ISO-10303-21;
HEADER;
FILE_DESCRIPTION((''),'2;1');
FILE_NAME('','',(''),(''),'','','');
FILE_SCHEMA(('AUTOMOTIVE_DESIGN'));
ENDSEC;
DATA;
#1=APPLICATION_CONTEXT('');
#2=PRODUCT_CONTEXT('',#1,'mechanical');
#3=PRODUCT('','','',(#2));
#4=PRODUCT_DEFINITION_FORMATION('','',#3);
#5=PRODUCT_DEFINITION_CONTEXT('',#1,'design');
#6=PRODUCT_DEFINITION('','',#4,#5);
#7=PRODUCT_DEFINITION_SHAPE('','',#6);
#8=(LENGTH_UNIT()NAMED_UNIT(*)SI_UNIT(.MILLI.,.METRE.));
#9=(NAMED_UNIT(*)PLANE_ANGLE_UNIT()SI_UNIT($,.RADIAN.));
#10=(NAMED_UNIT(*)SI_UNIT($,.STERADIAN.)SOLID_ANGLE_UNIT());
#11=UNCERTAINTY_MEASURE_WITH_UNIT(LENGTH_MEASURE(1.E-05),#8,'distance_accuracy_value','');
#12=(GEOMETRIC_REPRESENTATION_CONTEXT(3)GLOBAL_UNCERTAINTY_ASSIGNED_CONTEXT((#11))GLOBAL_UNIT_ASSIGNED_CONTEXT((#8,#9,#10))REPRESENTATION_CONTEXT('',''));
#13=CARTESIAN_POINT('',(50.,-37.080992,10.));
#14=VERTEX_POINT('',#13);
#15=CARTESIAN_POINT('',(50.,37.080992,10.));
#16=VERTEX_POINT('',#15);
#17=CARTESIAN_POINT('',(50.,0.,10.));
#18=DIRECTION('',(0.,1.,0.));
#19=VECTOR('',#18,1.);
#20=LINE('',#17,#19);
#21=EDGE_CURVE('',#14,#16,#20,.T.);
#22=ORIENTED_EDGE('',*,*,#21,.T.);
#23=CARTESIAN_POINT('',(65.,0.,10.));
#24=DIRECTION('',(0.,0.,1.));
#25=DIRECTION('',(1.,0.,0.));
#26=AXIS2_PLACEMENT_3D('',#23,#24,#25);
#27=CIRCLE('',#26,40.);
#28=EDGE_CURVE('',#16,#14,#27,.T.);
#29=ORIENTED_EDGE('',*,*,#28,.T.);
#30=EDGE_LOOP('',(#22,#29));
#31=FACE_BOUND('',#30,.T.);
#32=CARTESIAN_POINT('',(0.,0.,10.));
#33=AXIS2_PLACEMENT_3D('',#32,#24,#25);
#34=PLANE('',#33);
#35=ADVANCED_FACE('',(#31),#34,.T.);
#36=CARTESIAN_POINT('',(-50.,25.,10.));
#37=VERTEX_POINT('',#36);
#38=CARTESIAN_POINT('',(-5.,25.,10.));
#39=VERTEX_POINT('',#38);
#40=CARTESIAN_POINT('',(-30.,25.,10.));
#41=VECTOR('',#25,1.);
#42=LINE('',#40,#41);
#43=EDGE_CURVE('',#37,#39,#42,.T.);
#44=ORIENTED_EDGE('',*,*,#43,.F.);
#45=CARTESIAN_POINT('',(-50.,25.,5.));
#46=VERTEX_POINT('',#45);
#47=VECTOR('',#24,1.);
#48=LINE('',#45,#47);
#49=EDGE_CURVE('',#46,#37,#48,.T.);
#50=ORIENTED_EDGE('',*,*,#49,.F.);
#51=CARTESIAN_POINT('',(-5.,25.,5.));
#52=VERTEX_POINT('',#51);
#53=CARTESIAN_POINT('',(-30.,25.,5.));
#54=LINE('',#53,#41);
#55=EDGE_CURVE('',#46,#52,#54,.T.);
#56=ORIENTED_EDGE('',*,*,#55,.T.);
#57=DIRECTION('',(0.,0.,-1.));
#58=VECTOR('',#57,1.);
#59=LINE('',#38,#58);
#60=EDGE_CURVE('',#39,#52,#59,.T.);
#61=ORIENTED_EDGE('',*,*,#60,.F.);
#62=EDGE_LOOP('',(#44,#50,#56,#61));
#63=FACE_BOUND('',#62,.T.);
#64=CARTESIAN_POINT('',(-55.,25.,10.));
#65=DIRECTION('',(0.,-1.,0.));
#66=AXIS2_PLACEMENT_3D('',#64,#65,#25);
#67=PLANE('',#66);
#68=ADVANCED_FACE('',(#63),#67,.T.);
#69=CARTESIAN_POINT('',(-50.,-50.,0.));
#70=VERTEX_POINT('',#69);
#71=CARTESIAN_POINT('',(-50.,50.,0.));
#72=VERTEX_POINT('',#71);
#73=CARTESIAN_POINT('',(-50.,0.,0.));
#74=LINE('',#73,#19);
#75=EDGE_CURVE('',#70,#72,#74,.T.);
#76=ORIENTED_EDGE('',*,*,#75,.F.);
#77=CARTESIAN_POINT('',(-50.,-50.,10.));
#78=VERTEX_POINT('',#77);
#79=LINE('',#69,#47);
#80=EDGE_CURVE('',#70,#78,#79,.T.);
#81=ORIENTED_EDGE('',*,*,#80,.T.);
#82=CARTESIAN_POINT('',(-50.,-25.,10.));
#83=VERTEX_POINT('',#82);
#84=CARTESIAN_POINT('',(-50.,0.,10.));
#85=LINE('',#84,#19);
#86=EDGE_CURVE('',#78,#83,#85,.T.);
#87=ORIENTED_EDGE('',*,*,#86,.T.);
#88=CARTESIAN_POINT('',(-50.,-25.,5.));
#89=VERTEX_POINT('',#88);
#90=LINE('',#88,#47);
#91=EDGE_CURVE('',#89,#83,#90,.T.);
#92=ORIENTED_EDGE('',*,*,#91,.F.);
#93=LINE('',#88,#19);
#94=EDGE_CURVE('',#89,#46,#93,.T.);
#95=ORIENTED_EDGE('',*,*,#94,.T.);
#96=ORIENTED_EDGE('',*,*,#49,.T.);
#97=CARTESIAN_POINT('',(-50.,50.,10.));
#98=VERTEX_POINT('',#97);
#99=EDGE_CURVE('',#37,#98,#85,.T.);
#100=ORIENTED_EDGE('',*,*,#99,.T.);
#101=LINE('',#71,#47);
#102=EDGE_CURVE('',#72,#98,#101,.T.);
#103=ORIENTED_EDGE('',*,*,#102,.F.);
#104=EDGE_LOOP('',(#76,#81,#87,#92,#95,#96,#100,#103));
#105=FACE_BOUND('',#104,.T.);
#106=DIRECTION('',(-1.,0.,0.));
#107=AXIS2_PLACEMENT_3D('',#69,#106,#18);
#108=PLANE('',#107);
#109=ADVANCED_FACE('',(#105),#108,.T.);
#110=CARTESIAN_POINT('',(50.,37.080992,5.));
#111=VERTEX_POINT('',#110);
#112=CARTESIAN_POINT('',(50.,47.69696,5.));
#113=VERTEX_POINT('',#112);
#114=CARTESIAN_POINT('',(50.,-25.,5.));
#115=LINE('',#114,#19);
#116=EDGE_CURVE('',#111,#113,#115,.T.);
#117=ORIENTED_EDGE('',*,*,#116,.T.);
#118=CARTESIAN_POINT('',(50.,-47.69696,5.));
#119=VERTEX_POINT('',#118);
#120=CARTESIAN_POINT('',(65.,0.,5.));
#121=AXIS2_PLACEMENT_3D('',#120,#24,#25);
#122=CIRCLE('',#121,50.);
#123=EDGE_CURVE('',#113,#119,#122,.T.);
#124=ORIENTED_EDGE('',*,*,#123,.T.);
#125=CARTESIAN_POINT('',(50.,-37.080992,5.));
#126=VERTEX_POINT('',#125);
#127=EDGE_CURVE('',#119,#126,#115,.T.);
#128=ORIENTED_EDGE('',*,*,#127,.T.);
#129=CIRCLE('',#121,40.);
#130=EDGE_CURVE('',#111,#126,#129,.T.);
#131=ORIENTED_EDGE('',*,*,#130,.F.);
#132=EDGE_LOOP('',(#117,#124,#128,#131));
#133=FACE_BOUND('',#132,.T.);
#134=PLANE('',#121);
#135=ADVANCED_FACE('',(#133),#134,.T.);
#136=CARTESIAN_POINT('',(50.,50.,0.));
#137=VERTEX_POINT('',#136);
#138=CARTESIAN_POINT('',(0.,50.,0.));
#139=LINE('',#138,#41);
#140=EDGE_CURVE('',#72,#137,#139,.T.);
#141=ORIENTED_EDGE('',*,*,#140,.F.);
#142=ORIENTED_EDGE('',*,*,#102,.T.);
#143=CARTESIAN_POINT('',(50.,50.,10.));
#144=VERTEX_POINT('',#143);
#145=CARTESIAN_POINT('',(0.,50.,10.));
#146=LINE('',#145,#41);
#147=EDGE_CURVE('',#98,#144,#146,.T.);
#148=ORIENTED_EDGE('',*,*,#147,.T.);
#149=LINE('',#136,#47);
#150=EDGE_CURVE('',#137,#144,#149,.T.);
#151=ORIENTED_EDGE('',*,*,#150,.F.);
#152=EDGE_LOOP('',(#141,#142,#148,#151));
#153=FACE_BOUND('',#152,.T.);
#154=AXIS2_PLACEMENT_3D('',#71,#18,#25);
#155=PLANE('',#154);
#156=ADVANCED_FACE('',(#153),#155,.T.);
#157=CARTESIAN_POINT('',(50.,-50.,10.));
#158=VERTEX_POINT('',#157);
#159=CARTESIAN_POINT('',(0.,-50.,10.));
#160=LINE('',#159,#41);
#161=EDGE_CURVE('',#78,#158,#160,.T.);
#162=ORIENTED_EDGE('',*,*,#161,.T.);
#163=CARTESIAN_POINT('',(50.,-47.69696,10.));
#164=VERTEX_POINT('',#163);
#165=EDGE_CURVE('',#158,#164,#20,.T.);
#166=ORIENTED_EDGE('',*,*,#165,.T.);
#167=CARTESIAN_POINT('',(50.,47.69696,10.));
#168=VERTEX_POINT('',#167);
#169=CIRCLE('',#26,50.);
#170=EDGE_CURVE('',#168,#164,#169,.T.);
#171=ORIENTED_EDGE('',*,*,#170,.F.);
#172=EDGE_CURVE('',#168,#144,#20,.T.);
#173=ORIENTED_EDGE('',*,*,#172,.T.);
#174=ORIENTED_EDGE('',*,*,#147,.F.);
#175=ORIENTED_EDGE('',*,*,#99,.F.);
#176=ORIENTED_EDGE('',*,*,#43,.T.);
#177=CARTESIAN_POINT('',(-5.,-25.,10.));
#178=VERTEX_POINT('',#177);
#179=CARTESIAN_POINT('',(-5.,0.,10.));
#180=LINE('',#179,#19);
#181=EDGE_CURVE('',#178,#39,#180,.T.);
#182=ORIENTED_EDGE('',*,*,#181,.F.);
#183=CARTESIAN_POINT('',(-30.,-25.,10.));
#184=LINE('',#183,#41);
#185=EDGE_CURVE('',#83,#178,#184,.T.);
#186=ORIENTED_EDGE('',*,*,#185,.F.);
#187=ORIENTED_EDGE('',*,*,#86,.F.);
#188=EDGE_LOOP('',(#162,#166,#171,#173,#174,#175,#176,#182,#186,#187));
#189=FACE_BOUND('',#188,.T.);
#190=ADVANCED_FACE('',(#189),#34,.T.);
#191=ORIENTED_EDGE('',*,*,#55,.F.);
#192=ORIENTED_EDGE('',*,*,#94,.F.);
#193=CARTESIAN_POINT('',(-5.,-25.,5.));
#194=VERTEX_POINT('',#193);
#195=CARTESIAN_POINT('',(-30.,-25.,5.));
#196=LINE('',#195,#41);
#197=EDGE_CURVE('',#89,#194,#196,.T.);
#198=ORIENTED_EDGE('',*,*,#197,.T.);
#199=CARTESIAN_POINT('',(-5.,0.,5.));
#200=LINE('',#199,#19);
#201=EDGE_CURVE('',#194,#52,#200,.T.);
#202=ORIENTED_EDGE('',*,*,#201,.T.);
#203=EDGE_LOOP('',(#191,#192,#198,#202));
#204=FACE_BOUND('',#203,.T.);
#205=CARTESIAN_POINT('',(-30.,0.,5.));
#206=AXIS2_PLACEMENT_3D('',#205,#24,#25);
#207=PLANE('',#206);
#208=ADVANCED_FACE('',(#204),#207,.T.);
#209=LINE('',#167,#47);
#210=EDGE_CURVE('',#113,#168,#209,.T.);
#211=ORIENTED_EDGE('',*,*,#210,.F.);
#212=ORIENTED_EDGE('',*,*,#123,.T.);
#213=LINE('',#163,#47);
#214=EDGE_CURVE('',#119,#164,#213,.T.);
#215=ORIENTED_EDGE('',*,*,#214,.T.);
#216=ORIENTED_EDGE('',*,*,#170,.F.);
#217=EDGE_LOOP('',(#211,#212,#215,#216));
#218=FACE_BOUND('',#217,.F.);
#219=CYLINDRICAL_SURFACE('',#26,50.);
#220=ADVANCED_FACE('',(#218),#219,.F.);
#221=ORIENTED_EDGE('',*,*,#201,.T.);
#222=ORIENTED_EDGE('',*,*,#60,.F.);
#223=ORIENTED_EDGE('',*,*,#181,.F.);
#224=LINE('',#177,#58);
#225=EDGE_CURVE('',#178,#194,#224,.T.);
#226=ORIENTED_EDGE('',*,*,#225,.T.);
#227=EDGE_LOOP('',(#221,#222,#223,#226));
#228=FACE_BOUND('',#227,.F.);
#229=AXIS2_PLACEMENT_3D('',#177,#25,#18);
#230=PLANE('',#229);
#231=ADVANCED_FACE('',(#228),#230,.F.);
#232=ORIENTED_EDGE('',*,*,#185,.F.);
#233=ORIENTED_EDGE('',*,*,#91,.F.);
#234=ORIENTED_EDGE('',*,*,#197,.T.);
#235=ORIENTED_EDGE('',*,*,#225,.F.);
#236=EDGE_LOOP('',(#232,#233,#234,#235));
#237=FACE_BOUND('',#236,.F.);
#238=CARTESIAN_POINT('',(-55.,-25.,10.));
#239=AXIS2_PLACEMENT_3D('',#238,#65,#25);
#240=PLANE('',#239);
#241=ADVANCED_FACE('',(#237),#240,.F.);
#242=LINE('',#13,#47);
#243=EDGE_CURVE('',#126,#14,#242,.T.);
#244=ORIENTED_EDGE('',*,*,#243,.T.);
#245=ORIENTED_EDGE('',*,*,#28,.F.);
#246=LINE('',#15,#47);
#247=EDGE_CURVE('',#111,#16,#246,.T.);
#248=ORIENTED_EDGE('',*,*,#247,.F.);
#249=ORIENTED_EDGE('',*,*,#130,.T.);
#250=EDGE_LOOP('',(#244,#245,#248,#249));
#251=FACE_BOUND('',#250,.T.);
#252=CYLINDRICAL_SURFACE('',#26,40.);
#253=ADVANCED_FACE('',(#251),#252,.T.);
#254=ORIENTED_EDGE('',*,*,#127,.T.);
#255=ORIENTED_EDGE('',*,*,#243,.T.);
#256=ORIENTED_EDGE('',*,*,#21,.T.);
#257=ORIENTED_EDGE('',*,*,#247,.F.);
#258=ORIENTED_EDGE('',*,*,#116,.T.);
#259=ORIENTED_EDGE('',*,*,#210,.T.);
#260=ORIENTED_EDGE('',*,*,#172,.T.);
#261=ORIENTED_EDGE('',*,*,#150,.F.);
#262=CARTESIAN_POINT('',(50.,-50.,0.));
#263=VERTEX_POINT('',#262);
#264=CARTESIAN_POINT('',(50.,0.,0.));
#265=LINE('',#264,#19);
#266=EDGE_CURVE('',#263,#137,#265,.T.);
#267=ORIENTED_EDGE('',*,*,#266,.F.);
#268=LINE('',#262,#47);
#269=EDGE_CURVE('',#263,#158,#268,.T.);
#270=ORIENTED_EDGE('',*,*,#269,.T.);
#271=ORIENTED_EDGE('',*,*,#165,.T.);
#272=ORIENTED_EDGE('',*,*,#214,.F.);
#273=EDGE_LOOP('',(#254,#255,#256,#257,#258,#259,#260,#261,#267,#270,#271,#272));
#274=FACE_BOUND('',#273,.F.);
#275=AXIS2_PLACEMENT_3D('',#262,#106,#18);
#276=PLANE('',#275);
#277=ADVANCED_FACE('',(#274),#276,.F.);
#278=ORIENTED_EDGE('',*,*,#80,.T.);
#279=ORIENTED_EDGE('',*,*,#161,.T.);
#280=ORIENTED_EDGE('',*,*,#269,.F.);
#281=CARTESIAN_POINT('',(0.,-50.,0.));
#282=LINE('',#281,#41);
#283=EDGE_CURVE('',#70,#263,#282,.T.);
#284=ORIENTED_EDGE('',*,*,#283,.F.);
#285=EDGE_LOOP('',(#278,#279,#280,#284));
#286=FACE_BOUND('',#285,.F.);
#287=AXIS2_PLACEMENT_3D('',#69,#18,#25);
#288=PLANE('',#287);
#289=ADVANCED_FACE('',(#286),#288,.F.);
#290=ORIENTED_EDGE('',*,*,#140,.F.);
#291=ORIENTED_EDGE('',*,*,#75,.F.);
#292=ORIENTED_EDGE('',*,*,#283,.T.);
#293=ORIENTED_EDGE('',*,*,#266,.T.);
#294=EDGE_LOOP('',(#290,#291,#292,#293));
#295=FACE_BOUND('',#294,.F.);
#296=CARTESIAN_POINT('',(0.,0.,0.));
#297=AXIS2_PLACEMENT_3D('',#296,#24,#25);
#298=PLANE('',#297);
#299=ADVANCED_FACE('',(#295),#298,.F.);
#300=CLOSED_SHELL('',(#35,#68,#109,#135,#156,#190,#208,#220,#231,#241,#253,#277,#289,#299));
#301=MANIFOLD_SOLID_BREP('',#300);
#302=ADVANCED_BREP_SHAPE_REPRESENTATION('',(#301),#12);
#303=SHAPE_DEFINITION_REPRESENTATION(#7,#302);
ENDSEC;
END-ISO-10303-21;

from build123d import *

# Parameters (mm, degrees)
SKETCH_W      = 100
SKETCH_H      = 100
PAD_DEPTH     = 10
SKETCH001_R   = 50
SKETCH001_R_2 = 40
SKETCH001_W   = 50
SKETCH001_H   = 50
POCKET_DEPTH  = 5


with BuildPart() as part:
    # Sketch → Pad (new body)
    with BuildSketch(Plane.XY):
        Rectangle(SKETCH_W, SKETCH_H)
    extrude(amount=PAD_DEPTH)

    # Sketch001 (on Face6 of Pad) → Pocket (cut)
    with BuildSketch(Plane.XY.offset(10)):
        with Locations((65, 0)):
            Circle(SKETCH001_R)
        with Locations((65, 0)):
            Circle(SKETCH001_R_2, mode=Mode.SUBTRACT)
        with Locations((-30, 0)):
            Rectangle(SKETCH001_W, SKETCH001_H)
    extrude(amount=-POCKET_DEPTH, mode=Mode.SUBTRACT)


solid = part.part
